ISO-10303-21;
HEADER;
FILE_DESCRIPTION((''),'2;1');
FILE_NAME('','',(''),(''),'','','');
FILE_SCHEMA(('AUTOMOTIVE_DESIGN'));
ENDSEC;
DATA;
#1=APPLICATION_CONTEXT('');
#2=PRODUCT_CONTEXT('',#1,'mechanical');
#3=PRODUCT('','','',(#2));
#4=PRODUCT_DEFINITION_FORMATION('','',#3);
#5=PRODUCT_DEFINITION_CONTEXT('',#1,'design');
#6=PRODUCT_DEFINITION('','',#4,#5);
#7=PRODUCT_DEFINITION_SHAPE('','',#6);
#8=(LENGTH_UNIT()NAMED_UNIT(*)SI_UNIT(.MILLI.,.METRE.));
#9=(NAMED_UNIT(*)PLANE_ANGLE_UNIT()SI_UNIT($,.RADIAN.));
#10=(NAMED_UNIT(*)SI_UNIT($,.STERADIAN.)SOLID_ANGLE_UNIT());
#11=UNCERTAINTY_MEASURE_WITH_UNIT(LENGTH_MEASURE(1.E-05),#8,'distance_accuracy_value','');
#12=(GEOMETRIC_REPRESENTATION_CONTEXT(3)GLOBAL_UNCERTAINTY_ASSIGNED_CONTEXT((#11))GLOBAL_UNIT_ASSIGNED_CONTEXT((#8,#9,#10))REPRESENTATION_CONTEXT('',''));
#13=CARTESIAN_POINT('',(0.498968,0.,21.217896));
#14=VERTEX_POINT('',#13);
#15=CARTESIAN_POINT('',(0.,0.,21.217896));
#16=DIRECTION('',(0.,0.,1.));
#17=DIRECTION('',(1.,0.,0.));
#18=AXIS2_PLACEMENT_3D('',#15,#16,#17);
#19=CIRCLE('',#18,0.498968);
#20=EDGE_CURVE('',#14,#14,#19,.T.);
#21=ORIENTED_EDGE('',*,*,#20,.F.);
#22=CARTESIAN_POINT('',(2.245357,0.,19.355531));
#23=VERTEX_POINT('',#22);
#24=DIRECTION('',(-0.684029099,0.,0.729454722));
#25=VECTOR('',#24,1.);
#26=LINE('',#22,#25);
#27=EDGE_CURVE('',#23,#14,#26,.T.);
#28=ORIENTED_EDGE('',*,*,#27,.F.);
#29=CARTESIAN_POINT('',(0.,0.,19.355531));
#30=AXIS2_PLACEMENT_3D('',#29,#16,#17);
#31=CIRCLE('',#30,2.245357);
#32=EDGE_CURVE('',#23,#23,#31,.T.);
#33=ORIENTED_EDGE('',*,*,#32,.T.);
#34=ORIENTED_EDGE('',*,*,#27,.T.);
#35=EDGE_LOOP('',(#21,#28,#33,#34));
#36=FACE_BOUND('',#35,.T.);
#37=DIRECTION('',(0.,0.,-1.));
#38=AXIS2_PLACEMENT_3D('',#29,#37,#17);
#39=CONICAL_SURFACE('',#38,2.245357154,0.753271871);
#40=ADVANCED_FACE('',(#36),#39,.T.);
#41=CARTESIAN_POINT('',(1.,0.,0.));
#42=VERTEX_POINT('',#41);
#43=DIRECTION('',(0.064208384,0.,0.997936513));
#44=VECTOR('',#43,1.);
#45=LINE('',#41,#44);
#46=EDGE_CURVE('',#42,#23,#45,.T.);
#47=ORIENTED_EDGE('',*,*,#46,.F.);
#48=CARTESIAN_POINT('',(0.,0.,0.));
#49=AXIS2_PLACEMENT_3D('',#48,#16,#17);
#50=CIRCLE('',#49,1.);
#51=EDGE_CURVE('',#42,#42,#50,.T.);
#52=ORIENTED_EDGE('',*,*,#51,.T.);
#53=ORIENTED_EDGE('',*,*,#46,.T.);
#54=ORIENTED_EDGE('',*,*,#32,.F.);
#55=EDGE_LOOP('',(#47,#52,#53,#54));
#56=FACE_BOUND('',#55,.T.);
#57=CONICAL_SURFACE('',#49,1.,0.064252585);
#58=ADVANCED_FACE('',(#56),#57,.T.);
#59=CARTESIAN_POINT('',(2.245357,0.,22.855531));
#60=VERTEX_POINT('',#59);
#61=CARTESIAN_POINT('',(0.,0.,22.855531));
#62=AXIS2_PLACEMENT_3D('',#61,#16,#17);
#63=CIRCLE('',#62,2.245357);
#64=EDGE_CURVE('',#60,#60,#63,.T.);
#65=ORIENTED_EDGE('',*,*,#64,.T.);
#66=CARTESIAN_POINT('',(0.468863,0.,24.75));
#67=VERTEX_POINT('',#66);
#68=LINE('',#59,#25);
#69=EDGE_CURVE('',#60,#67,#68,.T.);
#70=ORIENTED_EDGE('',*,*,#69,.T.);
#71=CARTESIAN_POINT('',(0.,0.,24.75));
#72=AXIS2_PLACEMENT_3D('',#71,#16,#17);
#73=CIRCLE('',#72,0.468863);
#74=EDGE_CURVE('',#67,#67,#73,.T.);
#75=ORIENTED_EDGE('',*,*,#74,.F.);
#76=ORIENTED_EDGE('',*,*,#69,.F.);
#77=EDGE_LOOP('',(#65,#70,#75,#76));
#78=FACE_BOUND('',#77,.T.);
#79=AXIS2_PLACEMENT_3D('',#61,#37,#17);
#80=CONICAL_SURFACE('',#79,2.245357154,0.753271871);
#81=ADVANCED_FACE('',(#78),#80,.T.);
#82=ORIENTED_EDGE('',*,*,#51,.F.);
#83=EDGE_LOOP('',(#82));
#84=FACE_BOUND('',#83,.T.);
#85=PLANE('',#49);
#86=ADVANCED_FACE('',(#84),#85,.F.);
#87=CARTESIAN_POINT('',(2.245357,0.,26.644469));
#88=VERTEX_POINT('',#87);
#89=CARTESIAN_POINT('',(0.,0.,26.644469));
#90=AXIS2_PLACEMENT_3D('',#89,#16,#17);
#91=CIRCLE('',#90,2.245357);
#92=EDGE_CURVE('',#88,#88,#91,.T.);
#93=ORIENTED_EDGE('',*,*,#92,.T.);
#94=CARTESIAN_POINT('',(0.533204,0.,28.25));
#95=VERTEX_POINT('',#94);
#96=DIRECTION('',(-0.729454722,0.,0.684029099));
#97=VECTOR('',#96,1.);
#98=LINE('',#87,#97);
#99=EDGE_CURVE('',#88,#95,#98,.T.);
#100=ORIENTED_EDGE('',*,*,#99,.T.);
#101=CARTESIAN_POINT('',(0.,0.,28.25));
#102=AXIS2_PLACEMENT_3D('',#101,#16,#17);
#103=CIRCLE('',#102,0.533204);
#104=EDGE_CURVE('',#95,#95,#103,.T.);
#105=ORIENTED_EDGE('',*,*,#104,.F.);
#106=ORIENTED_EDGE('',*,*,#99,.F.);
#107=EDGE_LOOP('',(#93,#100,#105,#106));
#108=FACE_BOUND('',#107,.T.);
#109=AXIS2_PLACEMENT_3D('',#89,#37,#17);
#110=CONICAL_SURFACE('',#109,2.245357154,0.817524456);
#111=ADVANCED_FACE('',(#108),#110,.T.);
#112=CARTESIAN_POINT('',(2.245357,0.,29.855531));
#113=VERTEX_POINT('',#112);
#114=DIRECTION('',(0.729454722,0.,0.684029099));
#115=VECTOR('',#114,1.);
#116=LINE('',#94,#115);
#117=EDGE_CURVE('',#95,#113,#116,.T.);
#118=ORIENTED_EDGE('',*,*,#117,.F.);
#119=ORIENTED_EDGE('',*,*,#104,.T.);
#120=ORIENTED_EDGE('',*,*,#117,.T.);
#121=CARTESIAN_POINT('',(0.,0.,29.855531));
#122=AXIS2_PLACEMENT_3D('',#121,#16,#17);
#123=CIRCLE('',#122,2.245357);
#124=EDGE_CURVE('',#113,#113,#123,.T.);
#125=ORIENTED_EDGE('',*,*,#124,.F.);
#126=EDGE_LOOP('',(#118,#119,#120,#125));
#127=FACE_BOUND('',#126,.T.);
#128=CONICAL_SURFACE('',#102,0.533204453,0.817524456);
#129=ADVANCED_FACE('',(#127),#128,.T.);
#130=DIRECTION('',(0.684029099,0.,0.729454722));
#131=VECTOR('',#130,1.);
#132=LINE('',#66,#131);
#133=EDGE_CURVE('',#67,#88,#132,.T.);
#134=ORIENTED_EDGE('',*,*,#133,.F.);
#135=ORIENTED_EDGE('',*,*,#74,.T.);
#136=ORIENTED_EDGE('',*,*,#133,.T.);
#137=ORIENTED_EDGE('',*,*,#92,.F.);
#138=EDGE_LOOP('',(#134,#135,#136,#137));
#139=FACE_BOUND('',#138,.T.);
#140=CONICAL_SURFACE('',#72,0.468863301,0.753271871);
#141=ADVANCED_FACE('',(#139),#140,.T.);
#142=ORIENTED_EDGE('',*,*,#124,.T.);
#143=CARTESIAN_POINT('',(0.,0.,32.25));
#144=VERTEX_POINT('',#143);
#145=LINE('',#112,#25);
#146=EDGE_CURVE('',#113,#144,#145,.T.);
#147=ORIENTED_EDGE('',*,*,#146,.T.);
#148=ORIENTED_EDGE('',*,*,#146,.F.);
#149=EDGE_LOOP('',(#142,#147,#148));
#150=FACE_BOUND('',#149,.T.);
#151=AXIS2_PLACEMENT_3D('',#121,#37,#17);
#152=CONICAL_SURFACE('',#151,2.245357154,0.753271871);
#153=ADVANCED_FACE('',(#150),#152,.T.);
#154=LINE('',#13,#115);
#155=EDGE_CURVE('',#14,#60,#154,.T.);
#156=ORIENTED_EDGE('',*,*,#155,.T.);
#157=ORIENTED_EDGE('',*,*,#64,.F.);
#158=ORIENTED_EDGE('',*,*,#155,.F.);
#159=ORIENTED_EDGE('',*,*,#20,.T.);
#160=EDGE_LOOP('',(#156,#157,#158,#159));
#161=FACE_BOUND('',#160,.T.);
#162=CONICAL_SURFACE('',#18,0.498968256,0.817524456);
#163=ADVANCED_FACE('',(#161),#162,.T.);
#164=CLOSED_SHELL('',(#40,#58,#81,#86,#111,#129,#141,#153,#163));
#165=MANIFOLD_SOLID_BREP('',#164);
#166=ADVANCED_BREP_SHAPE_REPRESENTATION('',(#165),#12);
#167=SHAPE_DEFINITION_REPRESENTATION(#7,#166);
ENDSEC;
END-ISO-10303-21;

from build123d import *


with BuildPart() as f1:
    # F0 (on Front) → F1 (revolve)
    with BuildSketch(Plane.XZ):
        Polygon((0, 30), (0, 28.75), (0.5332044526, 28.25), (2.2453571536, 29.8555311361), (0, 32.25), align=None)
        Polygon((0, 28.75), (0, 27.75), (0.5332044526, 28.25), align=None)
        Polygon((0, 27.75), (0, 25.25), (0.4688633015, 24.75), (2.2453571536, 26.6444688639), (0.5332044526, 28.25), align=None)
        Polygon((0, 25.25), (0, 24.25), (0.4688633015, 24.75), align=None)
        Polygon((0, 24.25), (0, 21.75), (0.4989682564, 21.217895808), (2.2453571536, 22.8555311361), (0.4688633015, 24.75), align=None)
        Polygon((0, 21.75), (0, 20.75), (0.4989682564, 21.217895808), align=None)
        Polygon((0, 20.75), (0, 0), (1, 0), (2.2453571536, 19.3555311361), (0.4989682564, 21.217895808), align=None)
    revolve(axis=Axis((0, 0, 15), (0, 0, 1)))


solid = f1.part
